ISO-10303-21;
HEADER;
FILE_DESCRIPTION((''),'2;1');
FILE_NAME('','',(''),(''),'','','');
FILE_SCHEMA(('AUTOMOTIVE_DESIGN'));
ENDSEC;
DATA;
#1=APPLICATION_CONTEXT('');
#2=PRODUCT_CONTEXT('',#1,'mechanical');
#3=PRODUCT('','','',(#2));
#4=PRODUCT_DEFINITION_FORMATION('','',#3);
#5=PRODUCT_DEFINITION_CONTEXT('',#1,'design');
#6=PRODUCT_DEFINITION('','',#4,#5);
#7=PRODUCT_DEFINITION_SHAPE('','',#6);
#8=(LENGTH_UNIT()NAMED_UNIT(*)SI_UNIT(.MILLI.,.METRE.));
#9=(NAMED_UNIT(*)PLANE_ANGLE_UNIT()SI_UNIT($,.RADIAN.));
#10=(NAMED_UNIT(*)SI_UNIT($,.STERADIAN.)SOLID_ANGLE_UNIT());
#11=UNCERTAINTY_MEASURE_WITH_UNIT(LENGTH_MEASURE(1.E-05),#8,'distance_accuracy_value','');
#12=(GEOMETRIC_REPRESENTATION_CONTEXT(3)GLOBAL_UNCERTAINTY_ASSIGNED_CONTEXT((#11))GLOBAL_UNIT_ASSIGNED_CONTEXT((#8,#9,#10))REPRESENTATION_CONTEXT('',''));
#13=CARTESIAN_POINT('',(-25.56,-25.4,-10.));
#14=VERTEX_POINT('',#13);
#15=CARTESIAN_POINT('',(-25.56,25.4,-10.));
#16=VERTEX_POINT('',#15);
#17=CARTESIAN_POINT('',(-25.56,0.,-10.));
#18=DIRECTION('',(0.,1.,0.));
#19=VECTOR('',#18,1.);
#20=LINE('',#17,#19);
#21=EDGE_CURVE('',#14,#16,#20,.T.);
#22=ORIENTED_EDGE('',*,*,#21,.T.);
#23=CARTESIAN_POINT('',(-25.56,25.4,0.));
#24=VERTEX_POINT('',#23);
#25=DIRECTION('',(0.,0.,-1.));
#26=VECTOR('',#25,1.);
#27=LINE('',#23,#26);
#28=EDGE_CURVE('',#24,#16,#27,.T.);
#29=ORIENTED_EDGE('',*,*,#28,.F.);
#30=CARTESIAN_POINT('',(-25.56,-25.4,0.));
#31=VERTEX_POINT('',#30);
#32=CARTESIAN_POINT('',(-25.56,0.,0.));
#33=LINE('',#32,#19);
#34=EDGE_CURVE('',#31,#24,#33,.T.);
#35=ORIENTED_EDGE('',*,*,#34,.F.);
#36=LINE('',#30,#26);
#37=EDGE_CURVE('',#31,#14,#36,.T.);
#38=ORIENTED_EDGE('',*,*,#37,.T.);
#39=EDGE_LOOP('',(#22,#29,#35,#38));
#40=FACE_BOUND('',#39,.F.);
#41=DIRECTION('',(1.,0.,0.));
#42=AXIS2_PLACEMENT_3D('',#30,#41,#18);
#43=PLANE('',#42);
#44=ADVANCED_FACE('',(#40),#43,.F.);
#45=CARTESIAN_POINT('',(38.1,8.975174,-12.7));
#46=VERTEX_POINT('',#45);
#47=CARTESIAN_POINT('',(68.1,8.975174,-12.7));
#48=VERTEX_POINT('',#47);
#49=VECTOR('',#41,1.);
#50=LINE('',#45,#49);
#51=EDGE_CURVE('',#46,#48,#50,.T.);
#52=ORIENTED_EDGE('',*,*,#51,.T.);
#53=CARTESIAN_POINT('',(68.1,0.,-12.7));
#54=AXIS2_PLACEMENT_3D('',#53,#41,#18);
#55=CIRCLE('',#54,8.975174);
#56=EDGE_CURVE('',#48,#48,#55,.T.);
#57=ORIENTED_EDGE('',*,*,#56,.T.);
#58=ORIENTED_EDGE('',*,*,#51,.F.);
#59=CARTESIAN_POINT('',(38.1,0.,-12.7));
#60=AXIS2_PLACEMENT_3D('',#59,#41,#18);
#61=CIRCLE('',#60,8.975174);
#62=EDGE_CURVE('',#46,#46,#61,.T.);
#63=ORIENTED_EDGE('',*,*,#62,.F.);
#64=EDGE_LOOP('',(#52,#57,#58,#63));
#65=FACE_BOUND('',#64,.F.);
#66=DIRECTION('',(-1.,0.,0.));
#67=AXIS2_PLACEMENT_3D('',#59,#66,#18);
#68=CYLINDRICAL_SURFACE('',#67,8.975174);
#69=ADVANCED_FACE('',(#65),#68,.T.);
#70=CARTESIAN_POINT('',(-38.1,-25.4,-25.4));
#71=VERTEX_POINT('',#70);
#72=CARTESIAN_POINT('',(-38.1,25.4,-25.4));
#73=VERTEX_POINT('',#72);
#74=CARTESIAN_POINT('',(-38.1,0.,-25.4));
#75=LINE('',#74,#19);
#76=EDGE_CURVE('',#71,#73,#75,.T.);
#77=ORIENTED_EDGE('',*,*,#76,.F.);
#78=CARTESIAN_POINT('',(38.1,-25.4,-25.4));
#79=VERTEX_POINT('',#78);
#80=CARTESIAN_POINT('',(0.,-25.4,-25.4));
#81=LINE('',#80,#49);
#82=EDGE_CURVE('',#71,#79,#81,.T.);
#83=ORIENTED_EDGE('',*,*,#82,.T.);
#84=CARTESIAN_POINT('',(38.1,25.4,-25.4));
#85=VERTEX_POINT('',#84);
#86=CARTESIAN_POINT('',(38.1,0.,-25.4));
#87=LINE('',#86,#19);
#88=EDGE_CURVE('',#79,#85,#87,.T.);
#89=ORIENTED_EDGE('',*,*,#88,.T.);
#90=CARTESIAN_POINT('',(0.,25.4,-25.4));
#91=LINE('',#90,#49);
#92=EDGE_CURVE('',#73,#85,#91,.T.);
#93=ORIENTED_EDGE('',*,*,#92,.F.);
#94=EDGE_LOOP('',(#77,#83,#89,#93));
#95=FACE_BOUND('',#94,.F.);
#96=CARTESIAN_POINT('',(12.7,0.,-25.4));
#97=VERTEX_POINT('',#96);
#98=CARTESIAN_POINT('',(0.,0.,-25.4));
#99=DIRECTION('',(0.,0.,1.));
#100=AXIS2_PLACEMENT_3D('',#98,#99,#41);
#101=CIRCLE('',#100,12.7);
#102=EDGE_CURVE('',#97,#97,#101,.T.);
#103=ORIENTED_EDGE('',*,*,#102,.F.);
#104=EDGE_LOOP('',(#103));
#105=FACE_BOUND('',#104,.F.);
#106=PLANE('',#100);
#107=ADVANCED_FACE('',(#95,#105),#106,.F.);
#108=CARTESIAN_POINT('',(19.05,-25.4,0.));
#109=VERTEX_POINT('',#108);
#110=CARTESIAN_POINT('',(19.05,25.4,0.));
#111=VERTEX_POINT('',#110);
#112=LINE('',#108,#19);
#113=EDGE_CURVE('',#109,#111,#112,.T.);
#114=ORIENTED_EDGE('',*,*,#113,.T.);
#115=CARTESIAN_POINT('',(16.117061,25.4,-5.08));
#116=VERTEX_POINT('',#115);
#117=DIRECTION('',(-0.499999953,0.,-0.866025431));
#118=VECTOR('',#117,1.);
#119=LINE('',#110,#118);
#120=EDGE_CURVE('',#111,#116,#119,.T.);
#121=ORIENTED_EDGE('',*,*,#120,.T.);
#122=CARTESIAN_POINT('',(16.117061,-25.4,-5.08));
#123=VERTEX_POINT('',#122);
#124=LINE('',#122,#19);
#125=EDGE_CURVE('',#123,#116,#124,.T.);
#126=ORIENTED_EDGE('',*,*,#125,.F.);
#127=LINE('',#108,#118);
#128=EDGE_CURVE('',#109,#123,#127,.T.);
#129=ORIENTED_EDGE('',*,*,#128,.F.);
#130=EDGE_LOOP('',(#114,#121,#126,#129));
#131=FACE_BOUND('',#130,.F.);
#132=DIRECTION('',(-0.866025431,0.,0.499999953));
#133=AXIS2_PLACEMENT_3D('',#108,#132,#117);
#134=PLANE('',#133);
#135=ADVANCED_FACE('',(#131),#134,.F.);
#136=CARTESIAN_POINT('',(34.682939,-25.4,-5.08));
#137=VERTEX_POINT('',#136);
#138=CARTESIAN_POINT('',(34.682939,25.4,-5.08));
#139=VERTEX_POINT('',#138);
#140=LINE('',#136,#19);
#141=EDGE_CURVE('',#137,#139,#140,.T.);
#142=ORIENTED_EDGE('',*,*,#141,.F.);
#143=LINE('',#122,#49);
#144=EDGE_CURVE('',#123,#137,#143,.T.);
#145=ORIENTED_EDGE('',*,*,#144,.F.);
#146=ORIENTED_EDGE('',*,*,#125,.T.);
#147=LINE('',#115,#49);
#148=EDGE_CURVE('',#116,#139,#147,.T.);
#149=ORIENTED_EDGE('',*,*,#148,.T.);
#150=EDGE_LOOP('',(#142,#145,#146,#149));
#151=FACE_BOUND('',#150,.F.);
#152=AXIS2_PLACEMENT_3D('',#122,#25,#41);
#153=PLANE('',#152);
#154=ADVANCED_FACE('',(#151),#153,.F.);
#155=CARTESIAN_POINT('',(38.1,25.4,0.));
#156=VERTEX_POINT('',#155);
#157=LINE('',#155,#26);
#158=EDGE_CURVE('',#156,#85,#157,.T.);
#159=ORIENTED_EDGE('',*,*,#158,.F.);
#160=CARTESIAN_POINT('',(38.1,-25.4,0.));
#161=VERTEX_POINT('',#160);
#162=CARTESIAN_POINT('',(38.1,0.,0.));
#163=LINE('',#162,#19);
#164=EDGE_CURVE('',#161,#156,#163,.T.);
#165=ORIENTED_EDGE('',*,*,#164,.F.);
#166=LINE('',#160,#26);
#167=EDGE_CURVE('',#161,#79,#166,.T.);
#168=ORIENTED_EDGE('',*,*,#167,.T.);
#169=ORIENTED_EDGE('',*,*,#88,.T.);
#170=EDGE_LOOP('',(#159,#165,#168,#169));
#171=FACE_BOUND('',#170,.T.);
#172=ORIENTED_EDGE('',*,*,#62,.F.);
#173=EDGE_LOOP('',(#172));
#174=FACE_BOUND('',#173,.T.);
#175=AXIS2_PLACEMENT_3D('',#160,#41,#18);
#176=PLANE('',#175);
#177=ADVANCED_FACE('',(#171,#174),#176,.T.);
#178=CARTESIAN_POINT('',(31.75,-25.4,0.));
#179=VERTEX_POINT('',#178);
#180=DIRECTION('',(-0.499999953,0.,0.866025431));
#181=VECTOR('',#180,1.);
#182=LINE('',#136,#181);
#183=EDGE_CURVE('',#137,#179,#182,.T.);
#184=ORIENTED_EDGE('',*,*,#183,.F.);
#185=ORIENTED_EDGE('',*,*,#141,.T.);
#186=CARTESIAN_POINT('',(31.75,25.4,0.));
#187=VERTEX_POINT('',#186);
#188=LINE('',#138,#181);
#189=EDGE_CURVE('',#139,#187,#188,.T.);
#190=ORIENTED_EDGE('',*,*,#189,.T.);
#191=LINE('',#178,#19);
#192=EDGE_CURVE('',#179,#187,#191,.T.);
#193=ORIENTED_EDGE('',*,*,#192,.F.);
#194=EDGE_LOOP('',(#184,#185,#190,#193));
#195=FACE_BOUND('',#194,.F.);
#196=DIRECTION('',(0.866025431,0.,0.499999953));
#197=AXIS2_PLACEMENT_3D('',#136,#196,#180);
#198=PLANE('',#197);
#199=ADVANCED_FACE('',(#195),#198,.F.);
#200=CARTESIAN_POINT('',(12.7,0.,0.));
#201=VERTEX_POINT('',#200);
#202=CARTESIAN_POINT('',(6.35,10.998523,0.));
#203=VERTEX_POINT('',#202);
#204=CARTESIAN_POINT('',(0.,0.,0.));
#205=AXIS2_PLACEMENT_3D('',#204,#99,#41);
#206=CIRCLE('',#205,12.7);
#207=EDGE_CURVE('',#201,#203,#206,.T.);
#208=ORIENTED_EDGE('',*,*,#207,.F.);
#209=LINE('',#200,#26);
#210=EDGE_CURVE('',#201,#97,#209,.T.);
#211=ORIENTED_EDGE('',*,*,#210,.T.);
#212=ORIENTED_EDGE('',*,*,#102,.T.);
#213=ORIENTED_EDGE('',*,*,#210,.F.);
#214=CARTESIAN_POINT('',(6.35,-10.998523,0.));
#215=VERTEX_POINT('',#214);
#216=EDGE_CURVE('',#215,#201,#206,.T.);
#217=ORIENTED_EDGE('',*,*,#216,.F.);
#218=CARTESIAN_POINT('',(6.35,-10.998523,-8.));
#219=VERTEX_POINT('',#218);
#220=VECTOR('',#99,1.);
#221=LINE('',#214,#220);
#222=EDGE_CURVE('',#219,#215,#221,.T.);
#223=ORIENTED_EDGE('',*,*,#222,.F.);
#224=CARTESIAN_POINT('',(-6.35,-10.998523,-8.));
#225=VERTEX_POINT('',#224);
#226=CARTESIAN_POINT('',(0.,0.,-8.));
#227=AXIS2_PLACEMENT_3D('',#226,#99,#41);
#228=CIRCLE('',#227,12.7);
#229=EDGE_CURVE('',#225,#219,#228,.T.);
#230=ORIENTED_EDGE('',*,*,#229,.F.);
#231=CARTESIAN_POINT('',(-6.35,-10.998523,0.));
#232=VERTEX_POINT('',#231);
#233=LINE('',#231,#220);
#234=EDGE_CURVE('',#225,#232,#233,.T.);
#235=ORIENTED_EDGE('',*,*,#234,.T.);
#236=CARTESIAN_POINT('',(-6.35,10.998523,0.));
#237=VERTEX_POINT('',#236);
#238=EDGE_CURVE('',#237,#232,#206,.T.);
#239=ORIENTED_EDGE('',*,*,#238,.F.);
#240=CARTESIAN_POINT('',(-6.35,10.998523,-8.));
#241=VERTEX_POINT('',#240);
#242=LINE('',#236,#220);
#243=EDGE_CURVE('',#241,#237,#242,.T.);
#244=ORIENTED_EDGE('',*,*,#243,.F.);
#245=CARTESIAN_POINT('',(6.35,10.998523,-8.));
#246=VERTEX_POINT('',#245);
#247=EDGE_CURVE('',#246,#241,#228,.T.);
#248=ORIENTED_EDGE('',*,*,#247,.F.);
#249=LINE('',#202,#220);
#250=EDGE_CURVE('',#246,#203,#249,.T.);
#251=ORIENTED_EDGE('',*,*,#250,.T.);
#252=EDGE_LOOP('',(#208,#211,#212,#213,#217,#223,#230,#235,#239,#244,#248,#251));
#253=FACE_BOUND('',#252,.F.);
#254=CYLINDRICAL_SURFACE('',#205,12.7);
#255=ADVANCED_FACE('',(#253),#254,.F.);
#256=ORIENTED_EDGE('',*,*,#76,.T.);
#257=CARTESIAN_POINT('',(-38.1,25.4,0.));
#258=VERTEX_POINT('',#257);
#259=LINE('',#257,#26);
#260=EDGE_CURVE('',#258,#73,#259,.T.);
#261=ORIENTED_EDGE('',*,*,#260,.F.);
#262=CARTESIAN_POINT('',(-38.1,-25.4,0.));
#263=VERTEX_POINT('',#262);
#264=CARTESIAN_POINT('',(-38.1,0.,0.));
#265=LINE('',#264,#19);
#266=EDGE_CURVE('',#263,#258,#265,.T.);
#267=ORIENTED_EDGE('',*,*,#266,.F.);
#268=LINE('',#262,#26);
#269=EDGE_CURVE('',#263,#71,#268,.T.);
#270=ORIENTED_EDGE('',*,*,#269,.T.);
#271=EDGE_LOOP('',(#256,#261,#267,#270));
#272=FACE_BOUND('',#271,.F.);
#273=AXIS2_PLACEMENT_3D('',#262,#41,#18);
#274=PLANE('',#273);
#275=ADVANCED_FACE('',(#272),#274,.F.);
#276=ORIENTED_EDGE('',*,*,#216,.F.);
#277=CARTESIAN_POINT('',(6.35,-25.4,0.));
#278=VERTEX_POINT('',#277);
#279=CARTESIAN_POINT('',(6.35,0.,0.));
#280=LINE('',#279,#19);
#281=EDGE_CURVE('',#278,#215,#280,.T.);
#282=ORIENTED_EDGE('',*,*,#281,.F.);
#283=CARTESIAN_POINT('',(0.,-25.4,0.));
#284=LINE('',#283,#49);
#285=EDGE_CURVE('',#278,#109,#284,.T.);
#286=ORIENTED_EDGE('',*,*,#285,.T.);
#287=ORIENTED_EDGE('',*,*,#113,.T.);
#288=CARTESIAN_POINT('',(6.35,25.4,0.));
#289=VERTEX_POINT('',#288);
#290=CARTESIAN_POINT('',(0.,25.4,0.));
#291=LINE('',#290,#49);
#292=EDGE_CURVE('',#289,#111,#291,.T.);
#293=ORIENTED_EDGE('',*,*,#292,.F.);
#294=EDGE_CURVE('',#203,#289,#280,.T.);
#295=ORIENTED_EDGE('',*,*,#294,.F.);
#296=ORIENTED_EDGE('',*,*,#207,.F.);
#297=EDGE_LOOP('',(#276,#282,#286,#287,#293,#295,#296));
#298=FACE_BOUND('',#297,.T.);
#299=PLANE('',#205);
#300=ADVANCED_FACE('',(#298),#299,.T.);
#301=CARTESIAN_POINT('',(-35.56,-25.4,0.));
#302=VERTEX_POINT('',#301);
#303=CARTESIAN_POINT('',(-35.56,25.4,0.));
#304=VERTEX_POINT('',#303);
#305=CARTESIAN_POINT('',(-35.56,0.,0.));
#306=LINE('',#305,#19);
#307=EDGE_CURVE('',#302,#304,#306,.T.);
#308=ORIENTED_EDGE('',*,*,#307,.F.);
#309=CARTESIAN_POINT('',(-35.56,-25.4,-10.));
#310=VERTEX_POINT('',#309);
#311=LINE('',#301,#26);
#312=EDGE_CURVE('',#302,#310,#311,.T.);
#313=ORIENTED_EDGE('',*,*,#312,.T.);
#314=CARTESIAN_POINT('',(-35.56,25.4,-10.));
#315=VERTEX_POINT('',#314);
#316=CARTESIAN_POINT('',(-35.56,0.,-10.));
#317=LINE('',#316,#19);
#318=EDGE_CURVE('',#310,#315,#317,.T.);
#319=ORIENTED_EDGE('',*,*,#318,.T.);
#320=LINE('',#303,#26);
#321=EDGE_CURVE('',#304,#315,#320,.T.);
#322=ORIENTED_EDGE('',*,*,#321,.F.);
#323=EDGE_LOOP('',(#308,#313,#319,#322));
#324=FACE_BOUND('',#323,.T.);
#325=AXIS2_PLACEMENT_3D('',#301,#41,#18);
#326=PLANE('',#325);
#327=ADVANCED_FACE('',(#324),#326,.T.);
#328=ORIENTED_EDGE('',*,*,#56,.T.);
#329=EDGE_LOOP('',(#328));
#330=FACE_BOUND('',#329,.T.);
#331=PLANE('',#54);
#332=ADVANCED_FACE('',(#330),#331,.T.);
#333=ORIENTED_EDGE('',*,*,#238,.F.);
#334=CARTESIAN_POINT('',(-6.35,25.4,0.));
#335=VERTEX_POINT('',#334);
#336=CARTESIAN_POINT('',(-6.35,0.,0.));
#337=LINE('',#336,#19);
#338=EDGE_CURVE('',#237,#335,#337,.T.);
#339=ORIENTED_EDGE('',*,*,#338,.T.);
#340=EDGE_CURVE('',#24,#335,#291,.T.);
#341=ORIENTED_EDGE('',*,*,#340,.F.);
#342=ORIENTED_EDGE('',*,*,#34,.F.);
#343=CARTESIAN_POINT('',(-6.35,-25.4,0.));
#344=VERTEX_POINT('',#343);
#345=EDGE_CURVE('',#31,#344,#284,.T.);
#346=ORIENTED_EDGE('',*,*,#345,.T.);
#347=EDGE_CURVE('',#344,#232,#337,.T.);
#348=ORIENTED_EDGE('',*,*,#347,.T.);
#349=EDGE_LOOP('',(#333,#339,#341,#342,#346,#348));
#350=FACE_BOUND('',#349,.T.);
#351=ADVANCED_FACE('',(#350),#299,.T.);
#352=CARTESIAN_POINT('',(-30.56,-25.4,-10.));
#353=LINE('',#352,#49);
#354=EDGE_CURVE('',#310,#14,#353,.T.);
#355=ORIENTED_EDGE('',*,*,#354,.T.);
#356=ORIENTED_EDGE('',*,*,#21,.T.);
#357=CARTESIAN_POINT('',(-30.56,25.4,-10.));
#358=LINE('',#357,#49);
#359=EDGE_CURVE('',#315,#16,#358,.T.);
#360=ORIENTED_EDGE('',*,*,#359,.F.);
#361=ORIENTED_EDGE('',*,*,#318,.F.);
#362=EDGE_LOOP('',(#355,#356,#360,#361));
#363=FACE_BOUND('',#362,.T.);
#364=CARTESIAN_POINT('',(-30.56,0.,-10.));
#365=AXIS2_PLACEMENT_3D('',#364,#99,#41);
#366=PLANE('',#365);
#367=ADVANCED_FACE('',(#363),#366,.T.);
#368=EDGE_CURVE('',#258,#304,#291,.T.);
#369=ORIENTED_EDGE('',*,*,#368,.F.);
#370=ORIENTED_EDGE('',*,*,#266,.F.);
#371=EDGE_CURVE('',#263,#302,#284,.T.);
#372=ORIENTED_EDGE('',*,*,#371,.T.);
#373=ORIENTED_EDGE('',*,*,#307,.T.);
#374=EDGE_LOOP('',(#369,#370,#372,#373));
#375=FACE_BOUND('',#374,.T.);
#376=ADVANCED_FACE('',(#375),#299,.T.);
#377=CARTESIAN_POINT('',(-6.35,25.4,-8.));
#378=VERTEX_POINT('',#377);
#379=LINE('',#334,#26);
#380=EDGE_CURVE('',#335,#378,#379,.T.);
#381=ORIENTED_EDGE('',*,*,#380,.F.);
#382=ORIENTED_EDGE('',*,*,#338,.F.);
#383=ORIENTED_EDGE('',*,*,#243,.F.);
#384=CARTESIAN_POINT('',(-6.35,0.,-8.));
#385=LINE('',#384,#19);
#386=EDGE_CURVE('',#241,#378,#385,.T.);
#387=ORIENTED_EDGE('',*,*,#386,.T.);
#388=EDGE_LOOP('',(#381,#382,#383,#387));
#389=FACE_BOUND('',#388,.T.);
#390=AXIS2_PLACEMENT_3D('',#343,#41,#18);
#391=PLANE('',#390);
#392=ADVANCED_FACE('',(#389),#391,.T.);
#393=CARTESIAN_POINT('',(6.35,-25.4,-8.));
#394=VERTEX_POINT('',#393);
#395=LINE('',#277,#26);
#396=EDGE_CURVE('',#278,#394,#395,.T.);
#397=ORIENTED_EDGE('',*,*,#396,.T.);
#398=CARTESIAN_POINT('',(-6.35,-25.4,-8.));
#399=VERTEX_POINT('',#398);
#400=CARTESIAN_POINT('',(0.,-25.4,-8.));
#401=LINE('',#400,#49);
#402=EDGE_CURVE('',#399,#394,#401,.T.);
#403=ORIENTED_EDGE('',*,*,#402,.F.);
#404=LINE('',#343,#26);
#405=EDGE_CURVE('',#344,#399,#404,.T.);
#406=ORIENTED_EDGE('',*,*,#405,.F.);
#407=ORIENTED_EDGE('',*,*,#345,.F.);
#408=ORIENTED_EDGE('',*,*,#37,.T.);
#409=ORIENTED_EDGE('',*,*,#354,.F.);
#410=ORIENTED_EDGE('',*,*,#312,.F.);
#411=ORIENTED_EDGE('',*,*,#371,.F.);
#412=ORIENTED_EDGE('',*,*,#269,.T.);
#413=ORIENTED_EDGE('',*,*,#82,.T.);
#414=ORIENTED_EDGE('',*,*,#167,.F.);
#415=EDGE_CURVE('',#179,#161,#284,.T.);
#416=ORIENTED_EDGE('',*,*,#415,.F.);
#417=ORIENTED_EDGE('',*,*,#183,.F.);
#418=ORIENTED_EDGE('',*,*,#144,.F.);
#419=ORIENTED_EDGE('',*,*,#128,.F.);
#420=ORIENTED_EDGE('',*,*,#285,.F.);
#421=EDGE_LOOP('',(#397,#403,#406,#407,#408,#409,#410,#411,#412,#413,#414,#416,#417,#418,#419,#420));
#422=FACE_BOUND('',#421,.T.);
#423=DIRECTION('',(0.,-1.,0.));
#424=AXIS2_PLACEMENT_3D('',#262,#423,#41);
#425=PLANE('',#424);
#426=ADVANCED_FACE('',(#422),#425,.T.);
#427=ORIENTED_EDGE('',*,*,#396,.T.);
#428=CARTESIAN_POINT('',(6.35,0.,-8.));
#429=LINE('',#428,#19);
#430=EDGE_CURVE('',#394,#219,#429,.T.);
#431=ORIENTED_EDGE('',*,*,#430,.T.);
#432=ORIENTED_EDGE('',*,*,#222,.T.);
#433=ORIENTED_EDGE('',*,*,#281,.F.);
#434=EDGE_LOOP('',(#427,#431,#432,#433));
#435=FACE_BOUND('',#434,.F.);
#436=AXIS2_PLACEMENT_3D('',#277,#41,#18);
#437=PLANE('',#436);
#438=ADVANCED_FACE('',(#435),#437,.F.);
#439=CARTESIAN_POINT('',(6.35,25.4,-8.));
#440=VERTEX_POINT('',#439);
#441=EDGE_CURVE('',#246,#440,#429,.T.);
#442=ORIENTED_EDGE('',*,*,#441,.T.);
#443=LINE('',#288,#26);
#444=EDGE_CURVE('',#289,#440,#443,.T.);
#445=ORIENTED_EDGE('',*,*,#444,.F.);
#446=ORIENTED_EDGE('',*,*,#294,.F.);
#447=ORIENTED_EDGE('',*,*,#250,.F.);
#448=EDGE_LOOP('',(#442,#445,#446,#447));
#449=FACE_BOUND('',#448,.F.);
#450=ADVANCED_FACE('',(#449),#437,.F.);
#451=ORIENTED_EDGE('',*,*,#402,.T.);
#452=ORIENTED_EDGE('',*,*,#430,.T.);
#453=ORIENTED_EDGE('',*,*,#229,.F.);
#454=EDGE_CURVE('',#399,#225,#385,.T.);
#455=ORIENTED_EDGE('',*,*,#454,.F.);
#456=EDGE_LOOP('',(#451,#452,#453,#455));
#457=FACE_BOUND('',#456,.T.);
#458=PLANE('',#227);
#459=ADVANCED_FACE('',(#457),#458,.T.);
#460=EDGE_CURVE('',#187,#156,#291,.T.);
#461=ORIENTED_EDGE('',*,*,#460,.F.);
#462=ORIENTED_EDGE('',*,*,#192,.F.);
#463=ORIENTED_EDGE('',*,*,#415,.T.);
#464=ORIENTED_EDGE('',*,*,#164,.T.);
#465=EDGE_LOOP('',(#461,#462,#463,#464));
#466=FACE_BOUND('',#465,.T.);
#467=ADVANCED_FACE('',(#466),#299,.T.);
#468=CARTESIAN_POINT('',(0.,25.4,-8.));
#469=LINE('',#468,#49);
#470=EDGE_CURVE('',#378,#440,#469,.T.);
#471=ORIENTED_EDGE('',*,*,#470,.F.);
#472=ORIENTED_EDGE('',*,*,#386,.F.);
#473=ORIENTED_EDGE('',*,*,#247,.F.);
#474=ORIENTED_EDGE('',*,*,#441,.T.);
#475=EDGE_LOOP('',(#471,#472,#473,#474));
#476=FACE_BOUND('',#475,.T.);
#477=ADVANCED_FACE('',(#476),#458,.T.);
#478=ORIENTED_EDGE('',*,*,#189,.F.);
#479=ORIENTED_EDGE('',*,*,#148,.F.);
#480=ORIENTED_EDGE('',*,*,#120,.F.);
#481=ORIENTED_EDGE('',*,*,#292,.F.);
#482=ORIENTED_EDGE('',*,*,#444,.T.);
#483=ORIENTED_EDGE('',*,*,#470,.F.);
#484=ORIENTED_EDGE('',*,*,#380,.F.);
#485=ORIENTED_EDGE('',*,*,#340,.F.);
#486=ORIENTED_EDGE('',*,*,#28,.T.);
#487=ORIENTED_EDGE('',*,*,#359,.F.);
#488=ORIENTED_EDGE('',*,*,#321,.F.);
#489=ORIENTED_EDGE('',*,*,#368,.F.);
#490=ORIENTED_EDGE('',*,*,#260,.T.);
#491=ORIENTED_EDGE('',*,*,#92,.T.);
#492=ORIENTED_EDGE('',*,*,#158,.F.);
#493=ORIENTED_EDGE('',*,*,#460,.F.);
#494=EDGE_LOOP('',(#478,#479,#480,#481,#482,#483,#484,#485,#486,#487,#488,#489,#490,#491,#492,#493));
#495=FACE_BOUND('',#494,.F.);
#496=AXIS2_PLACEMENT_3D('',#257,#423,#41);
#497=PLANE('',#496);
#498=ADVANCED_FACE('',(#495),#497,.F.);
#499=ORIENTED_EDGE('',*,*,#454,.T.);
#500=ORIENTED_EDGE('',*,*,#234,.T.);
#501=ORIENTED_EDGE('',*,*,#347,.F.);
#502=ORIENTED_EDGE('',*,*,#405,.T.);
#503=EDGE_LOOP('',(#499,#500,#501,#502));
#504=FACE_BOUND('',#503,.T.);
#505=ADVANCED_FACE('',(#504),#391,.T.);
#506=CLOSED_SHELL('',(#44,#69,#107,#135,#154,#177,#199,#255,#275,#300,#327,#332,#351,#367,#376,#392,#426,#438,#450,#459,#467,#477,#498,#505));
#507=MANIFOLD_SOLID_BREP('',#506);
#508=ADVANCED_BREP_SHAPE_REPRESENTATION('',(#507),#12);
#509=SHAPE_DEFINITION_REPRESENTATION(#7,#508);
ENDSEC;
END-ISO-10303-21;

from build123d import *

# Parameters (mm, degrees)
F0_W     = 76.2
F0_H     = 50.8
F0_R     = 12.7
F1_DEPTH = 25.4
F2_W     = 10
F2_H     = 50.8
F3_DEPTH = 10
F2_W_2   = 12.7
F4_DEPTH = 8
F5_R     = 8.975174
F6_DEPTH = 30
F8_DEPTH = 50.8


with BuildPart() as f1:
    # F0 (on Top) → F1 (new body)
    with BuildSketch(Plane.XY):
        Rectangle(F0_W, F0_H)
        Circle(F0_R, mode=Mode.SUBTRACT)
    extrude(amount=-F1_DEPTH)

    # F2 (on Top) → F3 (cut)
    with BuildSketch(Plane.XY):
        with Locations((-30.56, 0)):
            Rectangle(F2_W, F2_H)
    extrude(amount=-F3_DEPTH, mode=Mode.SUBTRACT)

    # F2 (on Top) → F4 (cut)
    with BuildSketch(Plane.XY):
        Rectangle(F2_W_2, F2_H)
    extrude(amount=-F4_DEPTH, mode=Mode.SUBTRACT)

    # F5 (on face) → F6 (join)
    with BuildSketch(Plane.YZ.offset(38.1)):
        with Locations((0, -12.7)):
            Circle(F5_R)
    extrude(amount=F6_DEPTH)

    # F7 (on face) → F8 (cut)
    with BuildSketch(Plane.XZ.offset(25.4)):
        Polygon((31.75, 0), (19.05, 0), (16.117061, -5.08), (34.682939, -5.08), align=None)
    extrude(amount=-F8_DEPTH, mode=Mode.SUBTRACT)


solid = f1.part
